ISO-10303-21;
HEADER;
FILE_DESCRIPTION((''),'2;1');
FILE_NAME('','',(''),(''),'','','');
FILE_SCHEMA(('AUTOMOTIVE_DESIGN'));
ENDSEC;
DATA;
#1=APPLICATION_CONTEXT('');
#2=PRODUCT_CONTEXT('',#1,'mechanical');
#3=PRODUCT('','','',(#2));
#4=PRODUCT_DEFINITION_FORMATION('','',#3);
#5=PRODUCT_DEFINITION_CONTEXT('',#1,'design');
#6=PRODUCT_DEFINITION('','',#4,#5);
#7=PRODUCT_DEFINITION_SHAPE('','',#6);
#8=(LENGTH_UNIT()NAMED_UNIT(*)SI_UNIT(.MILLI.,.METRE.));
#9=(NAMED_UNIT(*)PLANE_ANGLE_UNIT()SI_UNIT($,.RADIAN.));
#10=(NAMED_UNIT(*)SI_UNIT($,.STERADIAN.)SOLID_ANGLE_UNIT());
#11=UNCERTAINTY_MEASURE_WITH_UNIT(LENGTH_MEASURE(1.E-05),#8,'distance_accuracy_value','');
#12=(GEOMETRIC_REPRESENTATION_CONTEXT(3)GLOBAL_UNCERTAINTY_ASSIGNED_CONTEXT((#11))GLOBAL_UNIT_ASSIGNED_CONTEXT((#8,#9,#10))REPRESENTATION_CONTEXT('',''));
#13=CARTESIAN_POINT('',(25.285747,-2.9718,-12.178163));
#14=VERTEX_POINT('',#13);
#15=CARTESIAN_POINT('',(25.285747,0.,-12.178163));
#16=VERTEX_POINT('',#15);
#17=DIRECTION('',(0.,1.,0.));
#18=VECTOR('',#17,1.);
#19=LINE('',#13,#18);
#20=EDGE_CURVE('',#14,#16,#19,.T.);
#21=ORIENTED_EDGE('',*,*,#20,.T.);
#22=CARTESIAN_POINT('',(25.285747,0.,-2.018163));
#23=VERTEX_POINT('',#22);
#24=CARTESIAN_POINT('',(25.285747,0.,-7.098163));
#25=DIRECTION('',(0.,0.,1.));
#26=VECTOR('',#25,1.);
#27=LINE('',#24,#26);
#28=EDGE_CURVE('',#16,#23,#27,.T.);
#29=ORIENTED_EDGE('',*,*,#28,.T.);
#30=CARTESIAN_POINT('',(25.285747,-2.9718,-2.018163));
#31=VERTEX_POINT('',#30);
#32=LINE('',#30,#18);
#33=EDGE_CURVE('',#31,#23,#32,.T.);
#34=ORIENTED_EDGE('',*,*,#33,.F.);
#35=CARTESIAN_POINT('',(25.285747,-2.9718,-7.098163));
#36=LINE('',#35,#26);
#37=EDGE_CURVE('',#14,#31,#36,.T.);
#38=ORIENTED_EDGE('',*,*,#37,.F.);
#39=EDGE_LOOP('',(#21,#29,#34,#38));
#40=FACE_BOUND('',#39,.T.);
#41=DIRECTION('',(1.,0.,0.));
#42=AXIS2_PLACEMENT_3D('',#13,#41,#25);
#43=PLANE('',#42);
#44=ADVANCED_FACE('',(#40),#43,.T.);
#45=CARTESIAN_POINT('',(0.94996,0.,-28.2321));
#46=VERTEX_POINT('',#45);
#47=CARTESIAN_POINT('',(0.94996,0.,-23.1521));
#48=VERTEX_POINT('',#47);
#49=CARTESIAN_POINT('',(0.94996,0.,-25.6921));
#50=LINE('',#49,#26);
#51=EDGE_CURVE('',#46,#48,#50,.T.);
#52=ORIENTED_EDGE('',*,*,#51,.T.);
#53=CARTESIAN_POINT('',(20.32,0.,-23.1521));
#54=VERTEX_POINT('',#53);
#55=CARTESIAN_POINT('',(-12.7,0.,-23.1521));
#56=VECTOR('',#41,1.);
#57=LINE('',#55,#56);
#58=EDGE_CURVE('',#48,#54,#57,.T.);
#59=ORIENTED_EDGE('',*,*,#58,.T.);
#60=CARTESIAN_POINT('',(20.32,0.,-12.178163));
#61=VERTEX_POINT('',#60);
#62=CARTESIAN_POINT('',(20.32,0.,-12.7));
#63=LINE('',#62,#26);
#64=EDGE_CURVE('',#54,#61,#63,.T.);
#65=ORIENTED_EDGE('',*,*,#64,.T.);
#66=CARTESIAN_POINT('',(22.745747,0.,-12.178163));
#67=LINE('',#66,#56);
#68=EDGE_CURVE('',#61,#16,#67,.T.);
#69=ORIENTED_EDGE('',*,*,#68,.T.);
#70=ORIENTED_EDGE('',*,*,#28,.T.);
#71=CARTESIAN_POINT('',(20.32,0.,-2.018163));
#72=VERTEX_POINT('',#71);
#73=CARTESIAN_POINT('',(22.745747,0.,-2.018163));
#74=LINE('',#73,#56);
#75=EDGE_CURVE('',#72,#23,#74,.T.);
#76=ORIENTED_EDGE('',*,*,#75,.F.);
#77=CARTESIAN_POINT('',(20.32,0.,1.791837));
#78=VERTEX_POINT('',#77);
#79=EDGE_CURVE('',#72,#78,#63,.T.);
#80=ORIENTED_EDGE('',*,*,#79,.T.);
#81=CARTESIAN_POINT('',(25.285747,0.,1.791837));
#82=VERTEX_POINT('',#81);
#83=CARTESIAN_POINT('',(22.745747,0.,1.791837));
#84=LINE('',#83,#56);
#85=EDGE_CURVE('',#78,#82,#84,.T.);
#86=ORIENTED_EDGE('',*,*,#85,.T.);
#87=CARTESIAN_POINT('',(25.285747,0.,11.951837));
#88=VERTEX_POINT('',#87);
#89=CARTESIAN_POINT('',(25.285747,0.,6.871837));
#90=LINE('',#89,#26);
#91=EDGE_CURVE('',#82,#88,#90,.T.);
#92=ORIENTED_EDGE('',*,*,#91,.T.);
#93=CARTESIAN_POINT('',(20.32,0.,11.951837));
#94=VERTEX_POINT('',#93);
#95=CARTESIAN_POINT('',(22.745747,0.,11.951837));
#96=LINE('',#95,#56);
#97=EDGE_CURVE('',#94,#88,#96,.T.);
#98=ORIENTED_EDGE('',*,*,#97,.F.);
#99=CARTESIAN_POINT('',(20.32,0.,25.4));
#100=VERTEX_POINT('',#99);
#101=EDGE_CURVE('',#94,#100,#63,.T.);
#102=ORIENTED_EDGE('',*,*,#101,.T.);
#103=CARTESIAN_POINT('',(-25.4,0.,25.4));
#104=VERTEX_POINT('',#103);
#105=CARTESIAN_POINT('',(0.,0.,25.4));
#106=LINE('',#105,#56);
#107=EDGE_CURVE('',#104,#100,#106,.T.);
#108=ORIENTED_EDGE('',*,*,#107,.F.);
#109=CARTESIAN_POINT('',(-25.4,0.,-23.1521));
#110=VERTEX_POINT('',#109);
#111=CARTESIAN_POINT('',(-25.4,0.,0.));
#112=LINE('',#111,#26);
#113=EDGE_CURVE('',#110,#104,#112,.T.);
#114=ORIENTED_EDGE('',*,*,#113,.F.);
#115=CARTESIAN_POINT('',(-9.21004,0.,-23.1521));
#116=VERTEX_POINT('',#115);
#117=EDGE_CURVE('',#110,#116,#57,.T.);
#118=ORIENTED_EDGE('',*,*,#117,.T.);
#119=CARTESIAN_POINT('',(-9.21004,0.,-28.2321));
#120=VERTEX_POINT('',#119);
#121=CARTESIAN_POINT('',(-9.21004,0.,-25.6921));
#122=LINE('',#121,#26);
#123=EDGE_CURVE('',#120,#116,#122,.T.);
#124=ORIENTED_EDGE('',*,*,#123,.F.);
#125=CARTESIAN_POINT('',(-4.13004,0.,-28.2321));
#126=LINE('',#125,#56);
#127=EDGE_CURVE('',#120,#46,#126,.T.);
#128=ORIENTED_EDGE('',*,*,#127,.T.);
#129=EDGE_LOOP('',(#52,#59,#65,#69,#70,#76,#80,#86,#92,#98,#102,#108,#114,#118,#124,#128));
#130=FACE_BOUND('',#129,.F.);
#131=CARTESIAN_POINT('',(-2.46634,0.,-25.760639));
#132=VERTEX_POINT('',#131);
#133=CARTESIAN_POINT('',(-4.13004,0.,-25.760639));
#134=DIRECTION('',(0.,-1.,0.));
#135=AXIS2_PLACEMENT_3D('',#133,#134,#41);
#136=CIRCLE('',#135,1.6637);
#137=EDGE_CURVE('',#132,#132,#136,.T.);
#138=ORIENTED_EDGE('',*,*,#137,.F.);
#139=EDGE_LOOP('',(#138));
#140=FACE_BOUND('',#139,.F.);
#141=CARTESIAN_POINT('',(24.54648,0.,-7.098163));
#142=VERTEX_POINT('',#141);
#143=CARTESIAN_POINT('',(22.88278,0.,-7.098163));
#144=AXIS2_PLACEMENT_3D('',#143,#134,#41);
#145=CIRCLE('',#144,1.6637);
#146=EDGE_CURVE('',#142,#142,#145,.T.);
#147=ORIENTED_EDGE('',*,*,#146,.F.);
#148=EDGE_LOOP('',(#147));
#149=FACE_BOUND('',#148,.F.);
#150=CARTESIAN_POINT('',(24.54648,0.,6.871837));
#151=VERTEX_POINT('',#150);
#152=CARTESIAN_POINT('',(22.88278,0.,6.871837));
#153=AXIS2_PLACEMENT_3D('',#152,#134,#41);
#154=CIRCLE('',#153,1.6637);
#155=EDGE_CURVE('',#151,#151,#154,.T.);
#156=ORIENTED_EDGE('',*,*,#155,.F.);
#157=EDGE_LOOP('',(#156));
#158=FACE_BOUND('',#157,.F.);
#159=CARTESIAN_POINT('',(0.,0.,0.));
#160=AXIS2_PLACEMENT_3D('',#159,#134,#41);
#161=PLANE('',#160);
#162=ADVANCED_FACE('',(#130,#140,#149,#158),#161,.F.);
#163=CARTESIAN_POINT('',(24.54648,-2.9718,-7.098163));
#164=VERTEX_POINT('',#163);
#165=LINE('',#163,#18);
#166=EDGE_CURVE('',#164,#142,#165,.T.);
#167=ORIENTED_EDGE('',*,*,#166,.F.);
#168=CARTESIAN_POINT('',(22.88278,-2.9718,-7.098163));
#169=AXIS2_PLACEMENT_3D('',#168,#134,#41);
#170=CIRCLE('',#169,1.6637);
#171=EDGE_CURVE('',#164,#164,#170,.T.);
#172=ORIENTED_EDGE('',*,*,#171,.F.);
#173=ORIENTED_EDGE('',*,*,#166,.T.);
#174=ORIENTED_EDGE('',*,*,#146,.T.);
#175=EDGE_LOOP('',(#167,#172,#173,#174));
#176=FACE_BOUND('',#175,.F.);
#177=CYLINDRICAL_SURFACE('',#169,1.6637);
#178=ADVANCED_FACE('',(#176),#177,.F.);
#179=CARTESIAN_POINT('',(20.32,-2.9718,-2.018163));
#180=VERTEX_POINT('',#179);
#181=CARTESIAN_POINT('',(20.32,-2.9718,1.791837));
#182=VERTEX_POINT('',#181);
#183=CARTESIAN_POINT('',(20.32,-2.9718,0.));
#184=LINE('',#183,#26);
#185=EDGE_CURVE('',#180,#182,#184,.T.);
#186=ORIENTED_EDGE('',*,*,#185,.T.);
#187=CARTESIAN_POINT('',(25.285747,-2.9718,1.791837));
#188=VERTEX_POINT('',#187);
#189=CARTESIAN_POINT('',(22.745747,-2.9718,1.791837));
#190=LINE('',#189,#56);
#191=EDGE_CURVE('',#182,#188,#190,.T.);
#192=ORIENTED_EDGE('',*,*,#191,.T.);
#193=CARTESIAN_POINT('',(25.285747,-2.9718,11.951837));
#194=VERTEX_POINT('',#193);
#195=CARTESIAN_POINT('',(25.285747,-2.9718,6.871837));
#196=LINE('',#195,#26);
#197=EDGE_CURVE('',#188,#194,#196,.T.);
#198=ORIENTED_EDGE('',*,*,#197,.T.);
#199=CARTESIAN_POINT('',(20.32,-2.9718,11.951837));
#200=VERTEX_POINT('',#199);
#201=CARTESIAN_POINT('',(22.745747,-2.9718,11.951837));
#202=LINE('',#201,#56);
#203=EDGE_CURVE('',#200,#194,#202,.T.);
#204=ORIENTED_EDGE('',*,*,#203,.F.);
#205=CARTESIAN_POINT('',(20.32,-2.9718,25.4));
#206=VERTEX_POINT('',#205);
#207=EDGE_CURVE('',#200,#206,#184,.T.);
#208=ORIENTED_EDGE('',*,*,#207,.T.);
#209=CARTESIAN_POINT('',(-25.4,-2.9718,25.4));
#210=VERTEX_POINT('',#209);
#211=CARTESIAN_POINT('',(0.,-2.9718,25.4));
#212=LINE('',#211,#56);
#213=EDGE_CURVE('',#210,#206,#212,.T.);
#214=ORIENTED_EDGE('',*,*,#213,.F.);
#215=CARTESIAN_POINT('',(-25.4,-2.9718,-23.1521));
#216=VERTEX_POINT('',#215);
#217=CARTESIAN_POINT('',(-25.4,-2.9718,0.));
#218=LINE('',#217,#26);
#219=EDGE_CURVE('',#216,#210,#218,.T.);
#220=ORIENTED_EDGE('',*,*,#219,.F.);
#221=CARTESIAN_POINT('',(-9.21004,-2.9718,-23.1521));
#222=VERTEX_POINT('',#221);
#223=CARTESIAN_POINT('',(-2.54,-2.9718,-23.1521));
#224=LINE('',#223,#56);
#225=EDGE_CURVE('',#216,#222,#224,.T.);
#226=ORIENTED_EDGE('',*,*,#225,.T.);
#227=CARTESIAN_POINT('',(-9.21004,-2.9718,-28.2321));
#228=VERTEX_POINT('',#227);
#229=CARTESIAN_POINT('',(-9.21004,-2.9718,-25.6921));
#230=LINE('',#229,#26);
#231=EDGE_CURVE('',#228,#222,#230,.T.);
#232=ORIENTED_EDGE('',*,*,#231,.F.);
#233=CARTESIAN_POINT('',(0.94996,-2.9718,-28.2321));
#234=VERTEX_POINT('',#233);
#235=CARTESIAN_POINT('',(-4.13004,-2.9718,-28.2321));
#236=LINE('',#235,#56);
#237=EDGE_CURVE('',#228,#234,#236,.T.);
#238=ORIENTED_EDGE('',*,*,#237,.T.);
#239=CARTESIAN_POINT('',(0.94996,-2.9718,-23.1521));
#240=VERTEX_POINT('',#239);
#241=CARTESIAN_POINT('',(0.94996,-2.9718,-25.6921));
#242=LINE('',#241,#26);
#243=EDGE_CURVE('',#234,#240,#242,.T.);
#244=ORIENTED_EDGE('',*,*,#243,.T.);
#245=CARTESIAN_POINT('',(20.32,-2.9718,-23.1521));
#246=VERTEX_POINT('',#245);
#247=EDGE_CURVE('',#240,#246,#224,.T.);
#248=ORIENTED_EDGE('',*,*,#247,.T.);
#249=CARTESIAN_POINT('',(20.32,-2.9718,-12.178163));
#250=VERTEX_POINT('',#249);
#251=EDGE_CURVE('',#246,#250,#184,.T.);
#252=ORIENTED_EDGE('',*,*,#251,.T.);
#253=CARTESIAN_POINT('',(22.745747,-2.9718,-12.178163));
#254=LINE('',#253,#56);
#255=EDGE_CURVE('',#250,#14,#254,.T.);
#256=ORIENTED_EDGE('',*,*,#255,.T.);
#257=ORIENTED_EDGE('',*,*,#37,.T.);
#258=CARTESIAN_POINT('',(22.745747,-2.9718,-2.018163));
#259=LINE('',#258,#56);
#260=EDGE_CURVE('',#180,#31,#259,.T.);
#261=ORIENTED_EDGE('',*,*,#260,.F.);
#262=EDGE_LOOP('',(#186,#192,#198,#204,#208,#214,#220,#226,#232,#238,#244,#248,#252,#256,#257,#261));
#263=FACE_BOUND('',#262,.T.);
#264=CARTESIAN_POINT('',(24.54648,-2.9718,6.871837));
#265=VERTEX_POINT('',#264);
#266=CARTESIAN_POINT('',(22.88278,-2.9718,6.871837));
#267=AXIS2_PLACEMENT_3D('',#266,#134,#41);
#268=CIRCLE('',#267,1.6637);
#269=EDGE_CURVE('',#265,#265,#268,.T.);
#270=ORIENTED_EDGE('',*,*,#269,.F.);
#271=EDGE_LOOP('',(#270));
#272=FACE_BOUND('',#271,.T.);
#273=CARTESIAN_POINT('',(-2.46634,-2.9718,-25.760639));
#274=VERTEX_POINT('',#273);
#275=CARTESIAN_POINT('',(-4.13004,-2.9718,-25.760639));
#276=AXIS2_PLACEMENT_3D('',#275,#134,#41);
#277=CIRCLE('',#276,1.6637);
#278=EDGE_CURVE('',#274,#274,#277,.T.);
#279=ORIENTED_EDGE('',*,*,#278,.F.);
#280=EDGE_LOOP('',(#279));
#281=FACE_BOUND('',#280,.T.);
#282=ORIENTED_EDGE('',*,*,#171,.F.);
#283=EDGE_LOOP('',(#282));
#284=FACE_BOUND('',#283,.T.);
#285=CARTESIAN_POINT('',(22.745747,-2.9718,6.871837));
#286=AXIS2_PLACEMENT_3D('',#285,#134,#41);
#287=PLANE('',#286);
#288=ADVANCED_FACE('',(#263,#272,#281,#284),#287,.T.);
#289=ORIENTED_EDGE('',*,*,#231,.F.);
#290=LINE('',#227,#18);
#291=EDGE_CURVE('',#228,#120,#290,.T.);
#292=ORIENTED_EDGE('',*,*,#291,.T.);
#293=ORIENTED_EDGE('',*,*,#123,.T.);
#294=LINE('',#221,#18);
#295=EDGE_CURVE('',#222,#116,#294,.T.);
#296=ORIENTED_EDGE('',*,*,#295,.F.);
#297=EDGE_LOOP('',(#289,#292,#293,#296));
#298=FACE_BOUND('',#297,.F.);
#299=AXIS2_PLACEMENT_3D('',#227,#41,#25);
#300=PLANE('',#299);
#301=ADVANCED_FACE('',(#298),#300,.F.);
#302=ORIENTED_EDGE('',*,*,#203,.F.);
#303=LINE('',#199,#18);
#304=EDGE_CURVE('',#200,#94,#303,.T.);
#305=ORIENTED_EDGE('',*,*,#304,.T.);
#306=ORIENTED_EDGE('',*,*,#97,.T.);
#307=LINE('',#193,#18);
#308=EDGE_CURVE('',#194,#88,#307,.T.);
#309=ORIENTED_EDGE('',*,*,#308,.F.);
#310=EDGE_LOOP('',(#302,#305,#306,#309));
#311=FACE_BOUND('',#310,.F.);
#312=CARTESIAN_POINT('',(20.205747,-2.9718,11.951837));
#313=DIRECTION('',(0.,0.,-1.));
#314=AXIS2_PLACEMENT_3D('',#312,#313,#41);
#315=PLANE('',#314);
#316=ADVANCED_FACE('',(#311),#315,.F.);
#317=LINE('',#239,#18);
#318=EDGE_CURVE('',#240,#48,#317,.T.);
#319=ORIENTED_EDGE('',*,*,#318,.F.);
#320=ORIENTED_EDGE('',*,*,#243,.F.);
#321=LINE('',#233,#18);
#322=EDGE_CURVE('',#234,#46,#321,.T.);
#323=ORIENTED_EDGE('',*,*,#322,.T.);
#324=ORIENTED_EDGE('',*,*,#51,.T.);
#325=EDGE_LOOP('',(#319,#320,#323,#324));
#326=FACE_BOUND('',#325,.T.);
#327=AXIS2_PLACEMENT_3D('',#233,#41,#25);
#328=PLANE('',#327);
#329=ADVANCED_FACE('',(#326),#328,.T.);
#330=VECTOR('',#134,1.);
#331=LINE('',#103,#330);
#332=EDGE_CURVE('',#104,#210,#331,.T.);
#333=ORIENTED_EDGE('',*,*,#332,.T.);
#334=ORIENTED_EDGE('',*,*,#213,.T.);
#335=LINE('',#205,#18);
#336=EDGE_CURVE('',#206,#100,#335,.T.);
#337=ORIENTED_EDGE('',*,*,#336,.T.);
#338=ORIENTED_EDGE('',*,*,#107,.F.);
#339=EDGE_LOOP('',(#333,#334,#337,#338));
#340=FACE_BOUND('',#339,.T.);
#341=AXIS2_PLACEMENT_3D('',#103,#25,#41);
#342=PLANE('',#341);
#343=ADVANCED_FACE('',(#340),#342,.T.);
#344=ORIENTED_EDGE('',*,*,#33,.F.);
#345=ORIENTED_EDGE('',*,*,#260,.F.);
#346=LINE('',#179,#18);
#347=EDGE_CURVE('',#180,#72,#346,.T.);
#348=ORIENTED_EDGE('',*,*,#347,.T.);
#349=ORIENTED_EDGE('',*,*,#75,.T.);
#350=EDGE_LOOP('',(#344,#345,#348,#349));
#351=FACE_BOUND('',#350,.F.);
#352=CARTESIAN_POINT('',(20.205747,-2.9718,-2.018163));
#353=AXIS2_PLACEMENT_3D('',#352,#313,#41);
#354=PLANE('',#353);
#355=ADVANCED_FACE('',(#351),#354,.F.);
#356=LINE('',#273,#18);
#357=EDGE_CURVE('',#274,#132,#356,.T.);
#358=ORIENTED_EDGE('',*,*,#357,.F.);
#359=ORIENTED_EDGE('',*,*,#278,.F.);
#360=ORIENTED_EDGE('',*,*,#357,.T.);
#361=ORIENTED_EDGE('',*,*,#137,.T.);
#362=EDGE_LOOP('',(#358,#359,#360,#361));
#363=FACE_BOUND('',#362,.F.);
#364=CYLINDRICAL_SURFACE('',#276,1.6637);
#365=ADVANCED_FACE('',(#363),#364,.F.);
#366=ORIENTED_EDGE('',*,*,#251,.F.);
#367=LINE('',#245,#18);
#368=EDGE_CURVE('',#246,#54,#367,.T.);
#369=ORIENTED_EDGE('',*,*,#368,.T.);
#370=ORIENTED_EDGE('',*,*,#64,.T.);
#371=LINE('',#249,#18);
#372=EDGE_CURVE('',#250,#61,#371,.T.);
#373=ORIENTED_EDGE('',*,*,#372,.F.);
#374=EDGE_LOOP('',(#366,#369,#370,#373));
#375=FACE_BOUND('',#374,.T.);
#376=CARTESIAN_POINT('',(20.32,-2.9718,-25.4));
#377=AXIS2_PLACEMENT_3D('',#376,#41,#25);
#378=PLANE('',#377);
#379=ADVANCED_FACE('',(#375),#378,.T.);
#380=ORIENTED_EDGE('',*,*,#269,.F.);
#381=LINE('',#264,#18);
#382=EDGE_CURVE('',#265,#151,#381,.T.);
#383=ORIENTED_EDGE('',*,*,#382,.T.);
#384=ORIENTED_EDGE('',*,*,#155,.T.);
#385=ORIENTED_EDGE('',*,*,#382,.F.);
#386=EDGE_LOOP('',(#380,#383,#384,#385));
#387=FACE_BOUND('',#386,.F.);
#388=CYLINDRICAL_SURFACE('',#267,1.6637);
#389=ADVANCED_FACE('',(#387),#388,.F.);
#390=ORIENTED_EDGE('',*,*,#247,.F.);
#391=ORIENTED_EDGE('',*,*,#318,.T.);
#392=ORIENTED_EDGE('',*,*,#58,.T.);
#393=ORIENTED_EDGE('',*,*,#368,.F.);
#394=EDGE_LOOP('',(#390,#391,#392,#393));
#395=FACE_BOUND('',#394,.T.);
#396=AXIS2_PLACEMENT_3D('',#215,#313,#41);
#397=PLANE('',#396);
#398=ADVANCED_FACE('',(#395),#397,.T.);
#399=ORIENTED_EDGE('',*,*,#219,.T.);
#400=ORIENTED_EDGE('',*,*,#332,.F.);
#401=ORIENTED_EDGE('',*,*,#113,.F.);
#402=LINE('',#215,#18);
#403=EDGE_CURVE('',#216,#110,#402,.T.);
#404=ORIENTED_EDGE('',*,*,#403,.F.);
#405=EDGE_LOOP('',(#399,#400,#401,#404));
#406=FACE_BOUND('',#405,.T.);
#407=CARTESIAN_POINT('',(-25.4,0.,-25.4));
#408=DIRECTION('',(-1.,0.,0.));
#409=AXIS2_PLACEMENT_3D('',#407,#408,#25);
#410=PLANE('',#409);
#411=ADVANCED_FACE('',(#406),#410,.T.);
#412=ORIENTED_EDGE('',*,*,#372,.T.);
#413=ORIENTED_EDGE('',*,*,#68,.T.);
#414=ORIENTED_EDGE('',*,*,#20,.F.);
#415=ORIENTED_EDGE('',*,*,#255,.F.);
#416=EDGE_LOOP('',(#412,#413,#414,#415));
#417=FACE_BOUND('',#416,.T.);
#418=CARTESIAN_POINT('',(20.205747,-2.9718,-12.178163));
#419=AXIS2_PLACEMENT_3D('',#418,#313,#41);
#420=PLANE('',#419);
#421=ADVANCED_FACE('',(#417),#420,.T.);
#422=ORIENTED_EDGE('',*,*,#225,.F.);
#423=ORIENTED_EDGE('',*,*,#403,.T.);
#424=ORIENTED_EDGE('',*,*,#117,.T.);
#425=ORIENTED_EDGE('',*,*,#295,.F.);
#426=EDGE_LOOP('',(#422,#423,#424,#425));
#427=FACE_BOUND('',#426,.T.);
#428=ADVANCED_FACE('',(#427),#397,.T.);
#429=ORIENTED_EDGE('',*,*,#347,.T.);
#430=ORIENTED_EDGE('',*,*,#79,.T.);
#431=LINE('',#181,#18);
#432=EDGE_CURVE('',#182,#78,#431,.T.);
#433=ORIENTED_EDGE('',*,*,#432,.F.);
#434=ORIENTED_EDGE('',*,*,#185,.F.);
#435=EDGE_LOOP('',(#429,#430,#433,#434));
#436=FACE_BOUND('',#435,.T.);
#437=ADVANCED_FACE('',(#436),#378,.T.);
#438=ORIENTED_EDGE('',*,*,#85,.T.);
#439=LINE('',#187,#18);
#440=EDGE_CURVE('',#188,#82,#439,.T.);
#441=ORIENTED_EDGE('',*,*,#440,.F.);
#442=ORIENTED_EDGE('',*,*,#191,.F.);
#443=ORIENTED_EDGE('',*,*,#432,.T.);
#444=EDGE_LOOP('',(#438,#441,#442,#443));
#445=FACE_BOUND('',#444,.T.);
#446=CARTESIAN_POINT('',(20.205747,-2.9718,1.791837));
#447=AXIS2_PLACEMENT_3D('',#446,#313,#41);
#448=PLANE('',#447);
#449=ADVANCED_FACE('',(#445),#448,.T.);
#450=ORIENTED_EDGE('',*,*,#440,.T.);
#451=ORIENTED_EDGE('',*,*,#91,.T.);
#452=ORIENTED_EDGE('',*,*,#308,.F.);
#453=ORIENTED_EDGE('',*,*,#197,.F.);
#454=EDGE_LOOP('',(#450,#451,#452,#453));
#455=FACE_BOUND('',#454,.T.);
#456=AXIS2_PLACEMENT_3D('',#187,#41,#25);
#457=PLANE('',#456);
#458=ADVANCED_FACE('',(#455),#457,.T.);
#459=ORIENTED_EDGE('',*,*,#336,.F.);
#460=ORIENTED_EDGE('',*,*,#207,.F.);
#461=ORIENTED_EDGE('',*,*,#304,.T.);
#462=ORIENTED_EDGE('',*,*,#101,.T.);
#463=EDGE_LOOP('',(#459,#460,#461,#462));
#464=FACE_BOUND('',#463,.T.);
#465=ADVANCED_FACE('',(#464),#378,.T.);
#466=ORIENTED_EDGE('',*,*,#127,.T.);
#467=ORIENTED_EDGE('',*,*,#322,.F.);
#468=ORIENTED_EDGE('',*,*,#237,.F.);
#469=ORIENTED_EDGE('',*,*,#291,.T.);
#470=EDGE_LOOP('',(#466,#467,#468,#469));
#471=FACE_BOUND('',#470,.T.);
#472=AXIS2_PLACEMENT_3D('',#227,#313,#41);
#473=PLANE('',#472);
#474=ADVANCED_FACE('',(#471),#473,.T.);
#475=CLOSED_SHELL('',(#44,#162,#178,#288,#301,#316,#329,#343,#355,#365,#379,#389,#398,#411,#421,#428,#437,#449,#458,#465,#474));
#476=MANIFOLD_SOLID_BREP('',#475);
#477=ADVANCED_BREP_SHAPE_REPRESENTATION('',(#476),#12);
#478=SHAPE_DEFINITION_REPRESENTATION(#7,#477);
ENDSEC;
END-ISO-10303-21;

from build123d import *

# Parameters (mm, degrees)
F0_W      = 50.8
F0_H      = 50.8
F1_DEPTH  = 2.9718
F3_W      = 5.08
F3_H      = 50.8
F4_DEPTH  = 2.9728
F2_W      = 5.08
F2_H      = 10.16
F5_DEPTH  = 2.9718
F6_W      = 45.72
F6_H      = 2.2479
F7_DEPTH  = 2.9728
F8_R      = 1.6637
F9_DEPTH  = 2.9728
F10_W     = 10.16
F10_H     = 5.08
F10_R     = 1.6637
F11_DEPTH = 2.9718


with BuildPart() as f1:
    # F0 (on Front) → F1 (new body)
    with BuildSketch(Plane.XZ):
        Rectangle(F0_W, F0_H)
    extrude(amount=F1_DEPTH)

    # F3 (on face) → F4 (cut, through all)
    with BuildSketch(Plane.XZ.offset(2.9718)):
        with Locations((22.86, 0)):
            Rectangle(F3_W, F3_H)
    extrude(amount=-F4_DEPTH, mode=Mode.SUBTRACT)

    # F2 (on face) → F5 (join)
    with BuildSketch(Plane.XZ.offset(2.9718)):
        with Locations((22.745747, 6.871837)):
            Rectangle(F2_W, F2_H)
        with Locations((22.745747, -7.098163)):
            Rectangle(F2_W, F2_H)
    extrude(amount=-F5_DEPTH)

    # F6 (on face) → F7 (cut, through all)
    with BuildSketch(Plane.XZ.offset(2.9718)):
        with Locations((-2.54, -24.27605)):
            Rectangle(F6_W, F6_H)
    extrude(amount=-F7_DEPTH, mode=Mode.SUBTRACT)

    # F8 (on face) → F9 (cut, through all)
    with BuildSketch(Plane.XZ.offset(2.9718)):
        with Locations((22.88278, 6.871837)):
            Circle(F8_R)
        with Locations((22.88278, -7.098163)):
            Circle(F8_R)
    extrude(amount=-F9_DEPTH, mode=Mode.SUBTRACT)

    # F10 (on face) → F11 (join)
    with BuildSketch(Plane.XZ.offset(2.9718)):
        with Locations((-4.13004, -25.6921)):
            Rectangle(F10_W, F10_H)
        with Locations((-4.13004, -25.760639)):
            Circle(F10_R, mode=Mode.SUBTRACT)
    extrude(amount=-F11_DEPTH)


solid = f1.part
